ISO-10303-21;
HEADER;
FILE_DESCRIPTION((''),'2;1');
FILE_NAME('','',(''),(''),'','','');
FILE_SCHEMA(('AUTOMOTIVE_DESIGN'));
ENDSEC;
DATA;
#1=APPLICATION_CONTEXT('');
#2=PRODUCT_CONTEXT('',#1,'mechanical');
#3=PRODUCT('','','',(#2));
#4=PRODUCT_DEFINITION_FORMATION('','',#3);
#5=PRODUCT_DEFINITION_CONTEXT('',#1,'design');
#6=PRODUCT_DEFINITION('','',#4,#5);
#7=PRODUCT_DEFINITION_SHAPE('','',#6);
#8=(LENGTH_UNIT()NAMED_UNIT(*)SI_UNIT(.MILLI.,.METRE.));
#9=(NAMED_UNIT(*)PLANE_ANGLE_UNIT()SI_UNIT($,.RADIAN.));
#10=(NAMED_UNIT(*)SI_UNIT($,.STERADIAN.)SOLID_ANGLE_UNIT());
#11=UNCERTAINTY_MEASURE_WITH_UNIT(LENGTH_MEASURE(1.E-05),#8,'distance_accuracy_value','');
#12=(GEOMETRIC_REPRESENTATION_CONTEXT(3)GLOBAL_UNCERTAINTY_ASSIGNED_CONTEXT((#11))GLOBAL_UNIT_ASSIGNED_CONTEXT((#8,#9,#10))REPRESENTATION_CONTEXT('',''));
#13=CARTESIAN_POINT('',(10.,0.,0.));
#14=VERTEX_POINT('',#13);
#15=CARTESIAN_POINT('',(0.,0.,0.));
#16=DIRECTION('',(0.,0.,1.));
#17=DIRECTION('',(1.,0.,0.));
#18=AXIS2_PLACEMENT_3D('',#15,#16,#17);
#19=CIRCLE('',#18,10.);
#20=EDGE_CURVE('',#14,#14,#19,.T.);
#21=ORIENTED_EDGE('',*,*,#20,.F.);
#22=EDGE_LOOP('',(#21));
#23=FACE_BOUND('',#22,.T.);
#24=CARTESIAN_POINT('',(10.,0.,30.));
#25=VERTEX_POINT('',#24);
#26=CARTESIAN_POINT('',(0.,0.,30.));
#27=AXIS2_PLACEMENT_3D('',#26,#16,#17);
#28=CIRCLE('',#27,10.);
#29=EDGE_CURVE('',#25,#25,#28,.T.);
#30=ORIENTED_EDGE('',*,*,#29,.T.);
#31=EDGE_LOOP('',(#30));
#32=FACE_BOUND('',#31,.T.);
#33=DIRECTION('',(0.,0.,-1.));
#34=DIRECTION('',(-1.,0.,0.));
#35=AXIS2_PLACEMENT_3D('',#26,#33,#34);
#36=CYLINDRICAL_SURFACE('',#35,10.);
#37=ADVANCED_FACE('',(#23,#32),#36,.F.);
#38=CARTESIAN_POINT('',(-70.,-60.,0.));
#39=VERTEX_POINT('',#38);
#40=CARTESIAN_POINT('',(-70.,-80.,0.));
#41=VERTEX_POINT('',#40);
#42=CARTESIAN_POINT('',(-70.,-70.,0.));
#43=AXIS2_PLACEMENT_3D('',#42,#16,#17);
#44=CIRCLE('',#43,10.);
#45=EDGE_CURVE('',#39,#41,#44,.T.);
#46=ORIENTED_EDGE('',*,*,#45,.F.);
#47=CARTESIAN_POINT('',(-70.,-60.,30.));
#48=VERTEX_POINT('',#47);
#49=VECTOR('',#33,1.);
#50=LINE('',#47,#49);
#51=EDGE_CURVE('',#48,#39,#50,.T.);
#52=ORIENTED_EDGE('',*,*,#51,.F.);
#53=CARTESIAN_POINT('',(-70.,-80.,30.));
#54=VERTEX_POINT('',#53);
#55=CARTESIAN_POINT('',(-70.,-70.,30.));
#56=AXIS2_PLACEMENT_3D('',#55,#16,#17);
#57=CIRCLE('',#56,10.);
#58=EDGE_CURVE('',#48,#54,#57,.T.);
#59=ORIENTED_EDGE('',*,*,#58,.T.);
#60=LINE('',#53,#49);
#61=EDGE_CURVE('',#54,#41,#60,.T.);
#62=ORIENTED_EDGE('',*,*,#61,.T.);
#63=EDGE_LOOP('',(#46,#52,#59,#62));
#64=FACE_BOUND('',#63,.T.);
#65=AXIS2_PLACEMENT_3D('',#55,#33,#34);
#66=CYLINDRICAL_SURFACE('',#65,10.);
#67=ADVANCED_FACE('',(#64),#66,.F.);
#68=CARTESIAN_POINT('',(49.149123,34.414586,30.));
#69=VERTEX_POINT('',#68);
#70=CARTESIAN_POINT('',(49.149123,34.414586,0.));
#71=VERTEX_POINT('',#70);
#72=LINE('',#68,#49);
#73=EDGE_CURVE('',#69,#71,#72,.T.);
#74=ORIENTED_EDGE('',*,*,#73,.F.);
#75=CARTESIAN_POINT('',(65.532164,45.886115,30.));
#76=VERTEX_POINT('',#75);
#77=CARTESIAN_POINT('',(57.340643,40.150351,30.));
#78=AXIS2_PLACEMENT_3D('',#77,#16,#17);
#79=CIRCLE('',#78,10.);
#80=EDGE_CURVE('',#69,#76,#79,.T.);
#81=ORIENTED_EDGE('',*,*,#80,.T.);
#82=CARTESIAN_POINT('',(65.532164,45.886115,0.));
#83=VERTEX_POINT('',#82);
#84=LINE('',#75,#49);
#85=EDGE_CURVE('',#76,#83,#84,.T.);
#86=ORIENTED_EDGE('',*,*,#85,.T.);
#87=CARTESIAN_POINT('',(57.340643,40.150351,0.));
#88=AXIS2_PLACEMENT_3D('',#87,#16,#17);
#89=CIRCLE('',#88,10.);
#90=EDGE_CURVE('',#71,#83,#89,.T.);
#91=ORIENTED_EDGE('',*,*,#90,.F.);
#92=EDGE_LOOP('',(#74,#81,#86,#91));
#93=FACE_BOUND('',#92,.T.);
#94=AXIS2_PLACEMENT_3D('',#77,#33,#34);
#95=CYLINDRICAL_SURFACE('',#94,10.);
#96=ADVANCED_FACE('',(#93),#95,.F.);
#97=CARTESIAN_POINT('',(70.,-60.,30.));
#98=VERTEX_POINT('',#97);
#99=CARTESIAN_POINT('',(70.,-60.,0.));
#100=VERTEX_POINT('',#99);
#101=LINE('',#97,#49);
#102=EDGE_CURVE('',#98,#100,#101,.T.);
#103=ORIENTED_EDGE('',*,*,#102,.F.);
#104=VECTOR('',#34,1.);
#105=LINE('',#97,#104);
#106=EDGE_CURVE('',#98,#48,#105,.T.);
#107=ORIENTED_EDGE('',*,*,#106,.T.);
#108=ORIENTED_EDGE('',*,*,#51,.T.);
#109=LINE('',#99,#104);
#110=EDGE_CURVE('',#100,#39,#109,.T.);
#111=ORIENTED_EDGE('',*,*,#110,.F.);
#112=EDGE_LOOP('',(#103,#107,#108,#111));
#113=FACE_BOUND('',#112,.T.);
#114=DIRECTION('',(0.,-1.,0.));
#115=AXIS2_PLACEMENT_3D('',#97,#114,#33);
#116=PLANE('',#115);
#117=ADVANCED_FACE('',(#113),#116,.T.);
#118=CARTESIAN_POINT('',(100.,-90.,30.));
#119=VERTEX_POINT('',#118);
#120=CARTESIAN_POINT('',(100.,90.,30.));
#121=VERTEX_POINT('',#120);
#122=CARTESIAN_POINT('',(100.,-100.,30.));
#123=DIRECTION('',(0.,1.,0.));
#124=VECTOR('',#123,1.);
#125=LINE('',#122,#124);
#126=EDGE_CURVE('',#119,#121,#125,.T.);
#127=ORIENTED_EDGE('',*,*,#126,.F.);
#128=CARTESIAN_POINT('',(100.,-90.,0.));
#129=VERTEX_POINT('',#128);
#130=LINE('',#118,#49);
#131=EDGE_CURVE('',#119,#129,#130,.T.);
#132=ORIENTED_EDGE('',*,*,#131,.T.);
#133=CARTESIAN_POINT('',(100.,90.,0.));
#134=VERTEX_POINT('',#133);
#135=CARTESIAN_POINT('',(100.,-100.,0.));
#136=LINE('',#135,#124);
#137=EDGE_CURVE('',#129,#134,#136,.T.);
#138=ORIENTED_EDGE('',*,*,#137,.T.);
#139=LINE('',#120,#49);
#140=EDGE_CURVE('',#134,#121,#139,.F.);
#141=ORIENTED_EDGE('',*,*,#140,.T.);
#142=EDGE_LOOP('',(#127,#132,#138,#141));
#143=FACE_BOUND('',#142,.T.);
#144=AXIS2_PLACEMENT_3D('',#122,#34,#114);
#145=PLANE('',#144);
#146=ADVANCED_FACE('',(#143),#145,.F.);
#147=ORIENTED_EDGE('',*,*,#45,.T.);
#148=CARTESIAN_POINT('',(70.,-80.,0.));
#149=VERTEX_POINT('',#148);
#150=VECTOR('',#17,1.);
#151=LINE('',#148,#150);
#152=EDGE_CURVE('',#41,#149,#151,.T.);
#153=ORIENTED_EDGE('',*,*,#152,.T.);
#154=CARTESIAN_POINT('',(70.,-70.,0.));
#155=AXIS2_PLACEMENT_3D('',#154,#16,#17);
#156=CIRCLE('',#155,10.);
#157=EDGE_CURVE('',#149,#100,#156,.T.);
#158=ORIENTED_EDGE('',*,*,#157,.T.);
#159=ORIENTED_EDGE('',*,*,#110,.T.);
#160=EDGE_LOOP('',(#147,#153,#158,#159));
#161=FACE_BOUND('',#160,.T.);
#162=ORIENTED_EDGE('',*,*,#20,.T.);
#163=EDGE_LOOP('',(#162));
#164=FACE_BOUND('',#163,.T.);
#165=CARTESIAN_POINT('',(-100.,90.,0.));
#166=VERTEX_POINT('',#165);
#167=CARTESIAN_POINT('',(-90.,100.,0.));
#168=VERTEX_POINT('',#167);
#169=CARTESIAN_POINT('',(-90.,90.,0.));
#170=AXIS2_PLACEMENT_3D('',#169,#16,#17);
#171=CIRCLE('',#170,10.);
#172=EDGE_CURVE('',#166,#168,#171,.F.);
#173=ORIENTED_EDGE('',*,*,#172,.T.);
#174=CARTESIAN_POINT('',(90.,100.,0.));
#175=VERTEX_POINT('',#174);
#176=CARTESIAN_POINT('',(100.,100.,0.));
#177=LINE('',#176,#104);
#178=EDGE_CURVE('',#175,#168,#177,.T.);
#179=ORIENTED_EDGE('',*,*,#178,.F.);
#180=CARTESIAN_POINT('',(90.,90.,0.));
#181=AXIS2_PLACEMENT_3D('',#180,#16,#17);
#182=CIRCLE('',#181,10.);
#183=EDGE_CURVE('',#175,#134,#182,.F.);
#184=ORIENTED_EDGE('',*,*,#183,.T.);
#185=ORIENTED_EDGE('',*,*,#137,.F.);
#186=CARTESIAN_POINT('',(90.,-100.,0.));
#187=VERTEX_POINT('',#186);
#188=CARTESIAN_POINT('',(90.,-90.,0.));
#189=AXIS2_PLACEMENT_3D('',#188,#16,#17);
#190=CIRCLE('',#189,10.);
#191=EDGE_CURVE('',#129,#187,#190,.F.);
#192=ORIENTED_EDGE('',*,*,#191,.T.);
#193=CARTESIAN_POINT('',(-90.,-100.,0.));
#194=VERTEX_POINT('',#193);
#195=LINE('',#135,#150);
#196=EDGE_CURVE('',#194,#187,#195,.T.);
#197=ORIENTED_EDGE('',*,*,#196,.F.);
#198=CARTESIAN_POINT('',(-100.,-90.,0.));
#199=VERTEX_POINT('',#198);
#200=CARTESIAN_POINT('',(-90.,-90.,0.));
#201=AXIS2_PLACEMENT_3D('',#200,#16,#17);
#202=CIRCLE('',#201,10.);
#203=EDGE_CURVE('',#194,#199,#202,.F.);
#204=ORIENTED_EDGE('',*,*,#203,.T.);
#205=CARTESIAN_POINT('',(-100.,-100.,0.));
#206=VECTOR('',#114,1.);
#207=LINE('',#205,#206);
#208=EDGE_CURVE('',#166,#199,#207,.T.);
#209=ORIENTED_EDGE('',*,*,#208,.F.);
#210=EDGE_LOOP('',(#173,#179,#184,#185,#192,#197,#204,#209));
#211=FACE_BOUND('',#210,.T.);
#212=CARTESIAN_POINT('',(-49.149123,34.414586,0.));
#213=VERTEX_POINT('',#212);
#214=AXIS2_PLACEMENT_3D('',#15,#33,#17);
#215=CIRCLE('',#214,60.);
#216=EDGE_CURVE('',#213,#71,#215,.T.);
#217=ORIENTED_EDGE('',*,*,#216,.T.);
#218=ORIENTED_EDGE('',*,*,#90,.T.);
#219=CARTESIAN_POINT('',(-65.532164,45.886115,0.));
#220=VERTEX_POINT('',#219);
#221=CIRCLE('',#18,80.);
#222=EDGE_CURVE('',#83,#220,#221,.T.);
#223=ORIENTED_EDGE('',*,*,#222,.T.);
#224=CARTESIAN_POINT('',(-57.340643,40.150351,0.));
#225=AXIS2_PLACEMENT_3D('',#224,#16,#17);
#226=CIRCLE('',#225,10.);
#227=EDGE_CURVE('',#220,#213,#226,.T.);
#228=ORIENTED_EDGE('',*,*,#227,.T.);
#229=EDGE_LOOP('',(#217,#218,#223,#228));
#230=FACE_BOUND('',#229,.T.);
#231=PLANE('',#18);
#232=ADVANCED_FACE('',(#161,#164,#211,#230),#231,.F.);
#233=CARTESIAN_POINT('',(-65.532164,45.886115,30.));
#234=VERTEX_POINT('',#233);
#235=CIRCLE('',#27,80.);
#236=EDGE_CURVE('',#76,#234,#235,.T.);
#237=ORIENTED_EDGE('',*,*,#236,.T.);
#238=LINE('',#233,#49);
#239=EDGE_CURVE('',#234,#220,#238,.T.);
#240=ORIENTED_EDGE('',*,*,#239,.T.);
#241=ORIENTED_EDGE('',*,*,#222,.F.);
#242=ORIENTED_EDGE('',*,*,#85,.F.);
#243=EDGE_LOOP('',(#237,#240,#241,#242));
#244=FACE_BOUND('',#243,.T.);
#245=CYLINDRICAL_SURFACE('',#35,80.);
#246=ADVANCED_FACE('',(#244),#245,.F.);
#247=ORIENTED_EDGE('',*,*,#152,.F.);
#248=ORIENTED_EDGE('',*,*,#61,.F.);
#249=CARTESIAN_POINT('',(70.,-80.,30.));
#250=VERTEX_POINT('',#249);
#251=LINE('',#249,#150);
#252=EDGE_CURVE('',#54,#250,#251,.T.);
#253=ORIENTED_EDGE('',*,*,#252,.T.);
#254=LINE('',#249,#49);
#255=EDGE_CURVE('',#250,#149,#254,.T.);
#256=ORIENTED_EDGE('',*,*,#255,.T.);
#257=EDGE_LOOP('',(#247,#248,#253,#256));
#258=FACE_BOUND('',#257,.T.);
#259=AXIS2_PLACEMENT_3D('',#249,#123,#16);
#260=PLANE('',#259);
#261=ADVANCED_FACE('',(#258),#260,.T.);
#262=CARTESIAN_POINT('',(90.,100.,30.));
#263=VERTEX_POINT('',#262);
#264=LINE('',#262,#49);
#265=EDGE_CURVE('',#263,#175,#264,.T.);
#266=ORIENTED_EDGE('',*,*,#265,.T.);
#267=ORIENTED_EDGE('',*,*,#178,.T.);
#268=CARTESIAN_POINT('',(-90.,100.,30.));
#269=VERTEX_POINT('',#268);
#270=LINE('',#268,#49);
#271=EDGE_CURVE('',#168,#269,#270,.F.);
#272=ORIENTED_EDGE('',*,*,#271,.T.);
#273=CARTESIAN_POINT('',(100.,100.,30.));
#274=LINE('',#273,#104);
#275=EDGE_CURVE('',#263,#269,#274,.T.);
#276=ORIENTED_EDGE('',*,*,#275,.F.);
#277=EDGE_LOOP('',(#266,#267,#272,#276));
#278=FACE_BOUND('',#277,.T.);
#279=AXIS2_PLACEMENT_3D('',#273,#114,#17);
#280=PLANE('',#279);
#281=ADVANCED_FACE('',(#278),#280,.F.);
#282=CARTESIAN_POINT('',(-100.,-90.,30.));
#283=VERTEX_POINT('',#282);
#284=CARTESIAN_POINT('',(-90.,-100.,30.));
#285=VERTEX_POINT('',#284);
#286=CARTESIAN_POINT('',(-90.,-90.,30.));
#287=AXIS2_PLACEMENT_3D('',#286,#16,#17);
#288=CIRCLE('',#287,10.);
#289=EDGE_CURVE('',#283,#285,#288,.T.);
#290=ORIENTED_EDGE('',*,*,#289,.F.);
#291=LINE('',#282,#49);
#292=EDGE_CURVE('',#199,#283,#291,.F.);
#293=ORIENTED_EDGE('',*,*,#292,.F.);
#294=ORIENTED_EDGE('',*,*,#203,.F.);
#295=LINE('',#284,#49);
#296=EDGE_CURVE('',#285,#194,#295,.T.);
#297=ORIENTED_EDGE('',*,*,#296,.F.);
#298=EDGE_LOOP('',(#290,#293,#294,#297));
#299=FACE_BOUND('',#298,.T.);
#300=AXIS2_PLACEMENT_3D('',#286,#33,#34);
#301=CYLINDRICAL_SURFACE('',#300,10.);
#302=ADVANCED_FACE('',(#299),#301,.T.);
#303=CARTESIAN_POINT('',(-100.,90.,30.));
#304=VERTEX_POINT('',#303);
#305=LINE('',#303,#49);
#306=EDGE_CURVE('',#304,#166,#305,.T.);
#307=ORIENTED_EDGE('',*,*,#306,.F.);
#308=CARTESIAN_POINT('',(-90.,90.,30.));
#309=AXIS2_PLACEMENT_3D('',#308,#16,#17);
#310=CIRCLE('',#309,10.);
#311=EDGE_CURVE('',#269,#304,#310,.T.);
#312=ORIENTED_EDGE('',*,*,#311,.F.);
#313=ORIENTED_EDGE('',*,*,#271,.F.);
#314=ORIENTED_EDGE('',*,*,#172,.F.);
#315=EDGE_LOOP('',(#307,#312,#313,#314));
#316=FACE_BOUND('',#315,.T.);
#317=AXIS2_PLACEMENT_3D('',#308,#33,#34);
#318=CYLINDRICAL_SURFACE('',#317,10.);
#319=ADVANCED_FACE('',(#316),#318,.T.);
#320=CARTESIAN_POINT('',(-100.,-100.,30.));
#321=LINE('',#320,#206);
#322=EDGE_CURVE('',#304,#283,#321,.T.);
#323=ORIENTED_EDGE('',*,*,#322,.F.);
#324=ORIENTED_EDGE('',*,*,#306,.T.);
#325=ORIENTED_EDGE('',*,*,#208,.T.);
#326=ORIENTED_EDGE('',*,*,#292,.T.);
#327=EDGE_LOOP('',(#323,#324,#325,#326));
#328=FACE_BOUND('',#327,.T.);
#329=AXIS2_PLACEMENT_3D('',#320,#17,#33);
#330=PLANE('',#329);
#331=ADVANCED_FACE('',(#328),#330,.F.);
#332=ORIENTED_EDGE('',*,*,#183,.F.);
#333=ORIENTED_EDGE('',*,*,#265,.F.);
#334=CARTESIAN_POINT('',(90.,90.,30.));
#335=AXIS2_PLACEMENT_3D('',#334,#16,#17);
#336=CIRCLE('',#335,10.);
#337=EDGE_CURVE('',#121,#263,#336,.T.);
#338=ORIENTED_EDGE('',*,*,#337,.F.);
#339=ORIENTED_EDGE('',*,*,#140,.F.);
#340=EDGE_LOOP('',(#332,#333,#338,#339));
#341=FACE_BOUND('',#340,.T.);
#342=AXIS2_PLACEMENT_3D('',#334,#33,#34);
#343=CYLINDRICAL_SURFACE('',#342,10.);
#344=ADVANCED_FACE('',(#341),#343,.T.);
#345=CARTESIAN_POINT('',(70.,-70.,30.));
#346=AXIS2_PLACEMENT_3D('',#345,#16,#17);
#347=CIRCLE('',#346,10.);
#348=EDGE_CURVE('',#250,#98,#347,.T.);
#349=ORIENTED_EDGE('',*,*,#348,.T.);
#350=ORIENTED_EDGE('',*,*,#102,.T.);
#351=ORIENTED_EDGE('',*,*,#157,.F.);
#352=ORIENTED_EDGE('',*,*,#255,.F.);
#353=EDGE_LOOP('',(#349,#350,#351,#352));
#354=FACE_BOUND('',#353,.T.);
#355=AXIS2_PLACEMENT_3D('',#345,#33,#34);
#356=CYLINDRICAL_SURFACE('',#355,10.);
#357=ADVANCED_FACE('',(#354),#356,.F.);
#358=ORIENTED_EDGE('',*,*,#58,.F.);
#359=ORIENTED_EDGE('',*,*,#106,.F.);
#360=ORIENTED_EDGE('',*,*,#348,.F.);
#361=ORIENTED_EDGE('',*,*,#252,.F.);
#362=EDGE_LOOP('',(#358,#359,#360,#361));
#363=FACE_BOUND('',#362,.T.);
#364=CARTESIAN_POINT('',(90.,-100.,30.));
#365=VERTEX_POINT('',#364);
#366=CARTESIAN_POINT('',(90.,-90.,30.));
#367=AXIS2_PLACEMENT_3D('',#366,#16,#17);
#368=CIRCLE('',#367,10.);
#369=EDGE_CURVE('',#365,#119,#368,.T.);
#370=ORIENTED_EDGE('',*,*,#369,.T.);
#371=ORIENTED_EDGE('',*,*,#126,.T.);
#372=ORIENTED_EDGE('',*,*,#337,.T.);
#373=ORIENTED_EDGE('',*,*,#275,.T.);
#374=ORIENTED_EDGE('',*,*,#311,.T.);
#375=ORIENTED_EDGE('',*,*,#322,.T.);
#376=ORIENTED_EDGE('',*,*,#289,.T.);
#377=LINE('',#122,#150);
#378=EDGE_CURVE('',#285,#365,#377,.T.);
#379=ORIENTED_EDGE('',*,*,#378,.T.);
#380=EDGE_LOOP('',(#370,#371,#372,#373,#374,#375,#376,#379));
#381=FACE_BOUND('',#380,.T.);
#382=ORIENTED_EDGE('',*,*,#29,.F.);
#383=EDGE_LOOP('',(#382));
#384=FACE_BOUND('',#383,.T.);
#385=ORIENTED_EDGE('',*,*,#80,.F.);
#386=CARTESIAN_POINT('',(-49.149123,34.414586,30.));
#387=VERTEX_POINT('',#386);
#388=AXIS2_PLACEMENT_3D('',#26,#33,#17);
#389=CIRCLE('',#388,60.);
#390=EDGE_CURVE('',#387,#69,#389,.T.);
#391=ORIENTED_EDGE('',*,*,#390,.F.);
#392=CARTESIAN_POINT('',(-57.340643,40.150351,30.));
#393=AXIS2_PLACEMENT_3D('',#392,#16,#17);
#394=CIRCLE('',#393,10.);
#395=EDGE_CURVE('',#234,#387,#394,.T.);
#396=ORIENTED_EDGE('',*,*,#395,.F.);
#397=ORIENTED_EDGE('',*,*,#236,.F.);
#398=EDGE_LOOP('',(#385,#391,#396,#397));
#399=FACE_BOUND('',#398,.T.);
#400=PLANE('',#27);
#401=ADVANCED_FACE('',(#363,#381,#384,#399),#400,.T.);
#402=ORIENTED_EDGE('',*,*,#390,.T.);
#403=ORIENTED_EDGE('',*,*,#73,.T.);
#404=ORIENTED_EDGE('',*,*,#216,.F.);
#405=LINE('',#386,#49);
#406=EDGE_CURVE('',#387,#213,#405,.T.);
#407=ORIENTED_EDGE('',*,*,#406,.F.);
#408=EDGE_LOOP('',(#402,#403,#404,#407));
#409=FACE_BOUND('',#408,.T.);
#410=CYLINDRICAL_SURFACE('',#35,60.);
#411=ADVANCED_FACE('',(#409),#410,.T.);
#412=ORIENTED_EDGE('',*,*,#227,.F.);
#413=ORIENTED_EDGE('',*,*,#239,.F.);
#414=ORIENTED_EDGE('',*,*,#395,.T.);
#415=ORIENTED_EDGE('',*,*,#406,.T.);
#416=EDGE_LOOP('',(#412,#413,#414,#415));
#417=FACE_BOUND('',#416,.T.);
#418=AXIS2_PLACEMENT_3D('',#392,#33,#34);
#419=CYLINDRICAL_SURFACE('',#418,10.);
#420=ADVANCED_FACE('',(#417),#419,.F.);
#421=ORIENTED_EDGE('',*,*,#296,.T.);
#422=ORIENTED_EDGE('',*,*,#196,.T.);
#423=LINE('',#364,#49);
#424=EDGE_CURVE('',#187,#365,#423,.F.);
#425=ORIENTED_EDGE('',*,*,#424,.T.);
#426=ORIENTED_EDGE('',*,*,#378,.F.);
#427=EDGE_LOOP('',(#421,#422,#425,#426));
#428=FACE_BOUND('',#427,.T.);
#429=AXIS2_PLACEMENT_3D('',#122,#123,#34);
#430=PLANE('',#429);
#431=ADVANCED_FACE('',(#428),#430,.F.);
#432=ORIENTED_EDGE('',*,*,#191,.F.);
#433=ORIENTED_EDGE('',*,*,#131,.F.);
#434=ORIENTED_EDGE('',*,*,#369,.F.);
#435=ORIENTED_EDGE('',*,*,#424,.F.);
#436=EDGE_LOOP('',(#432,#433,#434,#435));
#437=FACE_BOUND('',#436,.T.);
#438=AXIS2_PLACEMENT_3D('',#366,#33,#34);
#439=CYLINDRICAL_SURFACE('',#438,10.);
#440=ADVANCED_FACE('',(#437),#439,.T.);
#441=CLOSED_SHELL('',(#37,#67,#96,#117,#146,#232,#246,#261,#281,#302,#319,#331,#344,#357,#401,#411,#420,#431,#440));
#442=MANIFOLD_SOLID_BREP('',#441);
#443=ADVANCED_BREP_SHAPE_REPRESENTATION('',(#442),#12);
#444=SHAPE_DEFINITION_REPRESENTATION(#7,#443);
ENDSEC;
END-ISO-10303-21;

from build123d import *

# Parameters (mm, degrees)
SKETCH1_W           = 200
SKETCH1_H           = 200
SKETCH1_R           = 10
BOSS_EXTRUDE1_DEPTH = 30
FILLET1_R           = 10


with BuildPart() as part:
    # Sketch1 → Boss-Extrude1 (new body)
    with BuildSketch(Plane.XY):
        Rectangle(SKETCH1_W, SKETCH1_H)
        Circle(SKETCH1_R, mode=Mode.SUBTRACT)
        with BuildLine():
            Line((70, -80), (-70, -80))
            ThreePointArc((-70, -80), (-80, -70), (-70, -60))
            Line((-70, -60), (70, -60))
            ThreePointArc((70, -60), (80, -70), (70, -80))
        make_face(mode=Mode.SUBTRACT)
        with BuildLine():
            ThreePointArc((65.532163543, 45.886114908), (0, 80), (-65.532163543, 45.886114908))
            ThreePointArc((-65.532163543, 45.886114908), (-63.076407464, 31.958830102), (-49.149122657, 34.414586181))
            ThreePointArc((-49.149122657, 34.414586181), (0, 60), (49.149122657, 34.414586181))
            ThreePointArc((49.149122657, 34.414586181), (63.076407464, 31.958830102), (65.532163543, 45.886114908))
        make_face(mode=Mode.SUBTRACT)
    extrude(amount=BOSS_EXTRUDE1_DEPTH)

    # Fillet1
    fillet1_edges = [part.edges().sort_by_distance(p)[0] for p in [
        (-100, 100, 15),
        (100, 100, 15),
        (100, -100, 15),
        (-100, -100, 15),
    ]]
    fillet(fillet1_edges, radius=FILLET1_R)


solid = part.part
